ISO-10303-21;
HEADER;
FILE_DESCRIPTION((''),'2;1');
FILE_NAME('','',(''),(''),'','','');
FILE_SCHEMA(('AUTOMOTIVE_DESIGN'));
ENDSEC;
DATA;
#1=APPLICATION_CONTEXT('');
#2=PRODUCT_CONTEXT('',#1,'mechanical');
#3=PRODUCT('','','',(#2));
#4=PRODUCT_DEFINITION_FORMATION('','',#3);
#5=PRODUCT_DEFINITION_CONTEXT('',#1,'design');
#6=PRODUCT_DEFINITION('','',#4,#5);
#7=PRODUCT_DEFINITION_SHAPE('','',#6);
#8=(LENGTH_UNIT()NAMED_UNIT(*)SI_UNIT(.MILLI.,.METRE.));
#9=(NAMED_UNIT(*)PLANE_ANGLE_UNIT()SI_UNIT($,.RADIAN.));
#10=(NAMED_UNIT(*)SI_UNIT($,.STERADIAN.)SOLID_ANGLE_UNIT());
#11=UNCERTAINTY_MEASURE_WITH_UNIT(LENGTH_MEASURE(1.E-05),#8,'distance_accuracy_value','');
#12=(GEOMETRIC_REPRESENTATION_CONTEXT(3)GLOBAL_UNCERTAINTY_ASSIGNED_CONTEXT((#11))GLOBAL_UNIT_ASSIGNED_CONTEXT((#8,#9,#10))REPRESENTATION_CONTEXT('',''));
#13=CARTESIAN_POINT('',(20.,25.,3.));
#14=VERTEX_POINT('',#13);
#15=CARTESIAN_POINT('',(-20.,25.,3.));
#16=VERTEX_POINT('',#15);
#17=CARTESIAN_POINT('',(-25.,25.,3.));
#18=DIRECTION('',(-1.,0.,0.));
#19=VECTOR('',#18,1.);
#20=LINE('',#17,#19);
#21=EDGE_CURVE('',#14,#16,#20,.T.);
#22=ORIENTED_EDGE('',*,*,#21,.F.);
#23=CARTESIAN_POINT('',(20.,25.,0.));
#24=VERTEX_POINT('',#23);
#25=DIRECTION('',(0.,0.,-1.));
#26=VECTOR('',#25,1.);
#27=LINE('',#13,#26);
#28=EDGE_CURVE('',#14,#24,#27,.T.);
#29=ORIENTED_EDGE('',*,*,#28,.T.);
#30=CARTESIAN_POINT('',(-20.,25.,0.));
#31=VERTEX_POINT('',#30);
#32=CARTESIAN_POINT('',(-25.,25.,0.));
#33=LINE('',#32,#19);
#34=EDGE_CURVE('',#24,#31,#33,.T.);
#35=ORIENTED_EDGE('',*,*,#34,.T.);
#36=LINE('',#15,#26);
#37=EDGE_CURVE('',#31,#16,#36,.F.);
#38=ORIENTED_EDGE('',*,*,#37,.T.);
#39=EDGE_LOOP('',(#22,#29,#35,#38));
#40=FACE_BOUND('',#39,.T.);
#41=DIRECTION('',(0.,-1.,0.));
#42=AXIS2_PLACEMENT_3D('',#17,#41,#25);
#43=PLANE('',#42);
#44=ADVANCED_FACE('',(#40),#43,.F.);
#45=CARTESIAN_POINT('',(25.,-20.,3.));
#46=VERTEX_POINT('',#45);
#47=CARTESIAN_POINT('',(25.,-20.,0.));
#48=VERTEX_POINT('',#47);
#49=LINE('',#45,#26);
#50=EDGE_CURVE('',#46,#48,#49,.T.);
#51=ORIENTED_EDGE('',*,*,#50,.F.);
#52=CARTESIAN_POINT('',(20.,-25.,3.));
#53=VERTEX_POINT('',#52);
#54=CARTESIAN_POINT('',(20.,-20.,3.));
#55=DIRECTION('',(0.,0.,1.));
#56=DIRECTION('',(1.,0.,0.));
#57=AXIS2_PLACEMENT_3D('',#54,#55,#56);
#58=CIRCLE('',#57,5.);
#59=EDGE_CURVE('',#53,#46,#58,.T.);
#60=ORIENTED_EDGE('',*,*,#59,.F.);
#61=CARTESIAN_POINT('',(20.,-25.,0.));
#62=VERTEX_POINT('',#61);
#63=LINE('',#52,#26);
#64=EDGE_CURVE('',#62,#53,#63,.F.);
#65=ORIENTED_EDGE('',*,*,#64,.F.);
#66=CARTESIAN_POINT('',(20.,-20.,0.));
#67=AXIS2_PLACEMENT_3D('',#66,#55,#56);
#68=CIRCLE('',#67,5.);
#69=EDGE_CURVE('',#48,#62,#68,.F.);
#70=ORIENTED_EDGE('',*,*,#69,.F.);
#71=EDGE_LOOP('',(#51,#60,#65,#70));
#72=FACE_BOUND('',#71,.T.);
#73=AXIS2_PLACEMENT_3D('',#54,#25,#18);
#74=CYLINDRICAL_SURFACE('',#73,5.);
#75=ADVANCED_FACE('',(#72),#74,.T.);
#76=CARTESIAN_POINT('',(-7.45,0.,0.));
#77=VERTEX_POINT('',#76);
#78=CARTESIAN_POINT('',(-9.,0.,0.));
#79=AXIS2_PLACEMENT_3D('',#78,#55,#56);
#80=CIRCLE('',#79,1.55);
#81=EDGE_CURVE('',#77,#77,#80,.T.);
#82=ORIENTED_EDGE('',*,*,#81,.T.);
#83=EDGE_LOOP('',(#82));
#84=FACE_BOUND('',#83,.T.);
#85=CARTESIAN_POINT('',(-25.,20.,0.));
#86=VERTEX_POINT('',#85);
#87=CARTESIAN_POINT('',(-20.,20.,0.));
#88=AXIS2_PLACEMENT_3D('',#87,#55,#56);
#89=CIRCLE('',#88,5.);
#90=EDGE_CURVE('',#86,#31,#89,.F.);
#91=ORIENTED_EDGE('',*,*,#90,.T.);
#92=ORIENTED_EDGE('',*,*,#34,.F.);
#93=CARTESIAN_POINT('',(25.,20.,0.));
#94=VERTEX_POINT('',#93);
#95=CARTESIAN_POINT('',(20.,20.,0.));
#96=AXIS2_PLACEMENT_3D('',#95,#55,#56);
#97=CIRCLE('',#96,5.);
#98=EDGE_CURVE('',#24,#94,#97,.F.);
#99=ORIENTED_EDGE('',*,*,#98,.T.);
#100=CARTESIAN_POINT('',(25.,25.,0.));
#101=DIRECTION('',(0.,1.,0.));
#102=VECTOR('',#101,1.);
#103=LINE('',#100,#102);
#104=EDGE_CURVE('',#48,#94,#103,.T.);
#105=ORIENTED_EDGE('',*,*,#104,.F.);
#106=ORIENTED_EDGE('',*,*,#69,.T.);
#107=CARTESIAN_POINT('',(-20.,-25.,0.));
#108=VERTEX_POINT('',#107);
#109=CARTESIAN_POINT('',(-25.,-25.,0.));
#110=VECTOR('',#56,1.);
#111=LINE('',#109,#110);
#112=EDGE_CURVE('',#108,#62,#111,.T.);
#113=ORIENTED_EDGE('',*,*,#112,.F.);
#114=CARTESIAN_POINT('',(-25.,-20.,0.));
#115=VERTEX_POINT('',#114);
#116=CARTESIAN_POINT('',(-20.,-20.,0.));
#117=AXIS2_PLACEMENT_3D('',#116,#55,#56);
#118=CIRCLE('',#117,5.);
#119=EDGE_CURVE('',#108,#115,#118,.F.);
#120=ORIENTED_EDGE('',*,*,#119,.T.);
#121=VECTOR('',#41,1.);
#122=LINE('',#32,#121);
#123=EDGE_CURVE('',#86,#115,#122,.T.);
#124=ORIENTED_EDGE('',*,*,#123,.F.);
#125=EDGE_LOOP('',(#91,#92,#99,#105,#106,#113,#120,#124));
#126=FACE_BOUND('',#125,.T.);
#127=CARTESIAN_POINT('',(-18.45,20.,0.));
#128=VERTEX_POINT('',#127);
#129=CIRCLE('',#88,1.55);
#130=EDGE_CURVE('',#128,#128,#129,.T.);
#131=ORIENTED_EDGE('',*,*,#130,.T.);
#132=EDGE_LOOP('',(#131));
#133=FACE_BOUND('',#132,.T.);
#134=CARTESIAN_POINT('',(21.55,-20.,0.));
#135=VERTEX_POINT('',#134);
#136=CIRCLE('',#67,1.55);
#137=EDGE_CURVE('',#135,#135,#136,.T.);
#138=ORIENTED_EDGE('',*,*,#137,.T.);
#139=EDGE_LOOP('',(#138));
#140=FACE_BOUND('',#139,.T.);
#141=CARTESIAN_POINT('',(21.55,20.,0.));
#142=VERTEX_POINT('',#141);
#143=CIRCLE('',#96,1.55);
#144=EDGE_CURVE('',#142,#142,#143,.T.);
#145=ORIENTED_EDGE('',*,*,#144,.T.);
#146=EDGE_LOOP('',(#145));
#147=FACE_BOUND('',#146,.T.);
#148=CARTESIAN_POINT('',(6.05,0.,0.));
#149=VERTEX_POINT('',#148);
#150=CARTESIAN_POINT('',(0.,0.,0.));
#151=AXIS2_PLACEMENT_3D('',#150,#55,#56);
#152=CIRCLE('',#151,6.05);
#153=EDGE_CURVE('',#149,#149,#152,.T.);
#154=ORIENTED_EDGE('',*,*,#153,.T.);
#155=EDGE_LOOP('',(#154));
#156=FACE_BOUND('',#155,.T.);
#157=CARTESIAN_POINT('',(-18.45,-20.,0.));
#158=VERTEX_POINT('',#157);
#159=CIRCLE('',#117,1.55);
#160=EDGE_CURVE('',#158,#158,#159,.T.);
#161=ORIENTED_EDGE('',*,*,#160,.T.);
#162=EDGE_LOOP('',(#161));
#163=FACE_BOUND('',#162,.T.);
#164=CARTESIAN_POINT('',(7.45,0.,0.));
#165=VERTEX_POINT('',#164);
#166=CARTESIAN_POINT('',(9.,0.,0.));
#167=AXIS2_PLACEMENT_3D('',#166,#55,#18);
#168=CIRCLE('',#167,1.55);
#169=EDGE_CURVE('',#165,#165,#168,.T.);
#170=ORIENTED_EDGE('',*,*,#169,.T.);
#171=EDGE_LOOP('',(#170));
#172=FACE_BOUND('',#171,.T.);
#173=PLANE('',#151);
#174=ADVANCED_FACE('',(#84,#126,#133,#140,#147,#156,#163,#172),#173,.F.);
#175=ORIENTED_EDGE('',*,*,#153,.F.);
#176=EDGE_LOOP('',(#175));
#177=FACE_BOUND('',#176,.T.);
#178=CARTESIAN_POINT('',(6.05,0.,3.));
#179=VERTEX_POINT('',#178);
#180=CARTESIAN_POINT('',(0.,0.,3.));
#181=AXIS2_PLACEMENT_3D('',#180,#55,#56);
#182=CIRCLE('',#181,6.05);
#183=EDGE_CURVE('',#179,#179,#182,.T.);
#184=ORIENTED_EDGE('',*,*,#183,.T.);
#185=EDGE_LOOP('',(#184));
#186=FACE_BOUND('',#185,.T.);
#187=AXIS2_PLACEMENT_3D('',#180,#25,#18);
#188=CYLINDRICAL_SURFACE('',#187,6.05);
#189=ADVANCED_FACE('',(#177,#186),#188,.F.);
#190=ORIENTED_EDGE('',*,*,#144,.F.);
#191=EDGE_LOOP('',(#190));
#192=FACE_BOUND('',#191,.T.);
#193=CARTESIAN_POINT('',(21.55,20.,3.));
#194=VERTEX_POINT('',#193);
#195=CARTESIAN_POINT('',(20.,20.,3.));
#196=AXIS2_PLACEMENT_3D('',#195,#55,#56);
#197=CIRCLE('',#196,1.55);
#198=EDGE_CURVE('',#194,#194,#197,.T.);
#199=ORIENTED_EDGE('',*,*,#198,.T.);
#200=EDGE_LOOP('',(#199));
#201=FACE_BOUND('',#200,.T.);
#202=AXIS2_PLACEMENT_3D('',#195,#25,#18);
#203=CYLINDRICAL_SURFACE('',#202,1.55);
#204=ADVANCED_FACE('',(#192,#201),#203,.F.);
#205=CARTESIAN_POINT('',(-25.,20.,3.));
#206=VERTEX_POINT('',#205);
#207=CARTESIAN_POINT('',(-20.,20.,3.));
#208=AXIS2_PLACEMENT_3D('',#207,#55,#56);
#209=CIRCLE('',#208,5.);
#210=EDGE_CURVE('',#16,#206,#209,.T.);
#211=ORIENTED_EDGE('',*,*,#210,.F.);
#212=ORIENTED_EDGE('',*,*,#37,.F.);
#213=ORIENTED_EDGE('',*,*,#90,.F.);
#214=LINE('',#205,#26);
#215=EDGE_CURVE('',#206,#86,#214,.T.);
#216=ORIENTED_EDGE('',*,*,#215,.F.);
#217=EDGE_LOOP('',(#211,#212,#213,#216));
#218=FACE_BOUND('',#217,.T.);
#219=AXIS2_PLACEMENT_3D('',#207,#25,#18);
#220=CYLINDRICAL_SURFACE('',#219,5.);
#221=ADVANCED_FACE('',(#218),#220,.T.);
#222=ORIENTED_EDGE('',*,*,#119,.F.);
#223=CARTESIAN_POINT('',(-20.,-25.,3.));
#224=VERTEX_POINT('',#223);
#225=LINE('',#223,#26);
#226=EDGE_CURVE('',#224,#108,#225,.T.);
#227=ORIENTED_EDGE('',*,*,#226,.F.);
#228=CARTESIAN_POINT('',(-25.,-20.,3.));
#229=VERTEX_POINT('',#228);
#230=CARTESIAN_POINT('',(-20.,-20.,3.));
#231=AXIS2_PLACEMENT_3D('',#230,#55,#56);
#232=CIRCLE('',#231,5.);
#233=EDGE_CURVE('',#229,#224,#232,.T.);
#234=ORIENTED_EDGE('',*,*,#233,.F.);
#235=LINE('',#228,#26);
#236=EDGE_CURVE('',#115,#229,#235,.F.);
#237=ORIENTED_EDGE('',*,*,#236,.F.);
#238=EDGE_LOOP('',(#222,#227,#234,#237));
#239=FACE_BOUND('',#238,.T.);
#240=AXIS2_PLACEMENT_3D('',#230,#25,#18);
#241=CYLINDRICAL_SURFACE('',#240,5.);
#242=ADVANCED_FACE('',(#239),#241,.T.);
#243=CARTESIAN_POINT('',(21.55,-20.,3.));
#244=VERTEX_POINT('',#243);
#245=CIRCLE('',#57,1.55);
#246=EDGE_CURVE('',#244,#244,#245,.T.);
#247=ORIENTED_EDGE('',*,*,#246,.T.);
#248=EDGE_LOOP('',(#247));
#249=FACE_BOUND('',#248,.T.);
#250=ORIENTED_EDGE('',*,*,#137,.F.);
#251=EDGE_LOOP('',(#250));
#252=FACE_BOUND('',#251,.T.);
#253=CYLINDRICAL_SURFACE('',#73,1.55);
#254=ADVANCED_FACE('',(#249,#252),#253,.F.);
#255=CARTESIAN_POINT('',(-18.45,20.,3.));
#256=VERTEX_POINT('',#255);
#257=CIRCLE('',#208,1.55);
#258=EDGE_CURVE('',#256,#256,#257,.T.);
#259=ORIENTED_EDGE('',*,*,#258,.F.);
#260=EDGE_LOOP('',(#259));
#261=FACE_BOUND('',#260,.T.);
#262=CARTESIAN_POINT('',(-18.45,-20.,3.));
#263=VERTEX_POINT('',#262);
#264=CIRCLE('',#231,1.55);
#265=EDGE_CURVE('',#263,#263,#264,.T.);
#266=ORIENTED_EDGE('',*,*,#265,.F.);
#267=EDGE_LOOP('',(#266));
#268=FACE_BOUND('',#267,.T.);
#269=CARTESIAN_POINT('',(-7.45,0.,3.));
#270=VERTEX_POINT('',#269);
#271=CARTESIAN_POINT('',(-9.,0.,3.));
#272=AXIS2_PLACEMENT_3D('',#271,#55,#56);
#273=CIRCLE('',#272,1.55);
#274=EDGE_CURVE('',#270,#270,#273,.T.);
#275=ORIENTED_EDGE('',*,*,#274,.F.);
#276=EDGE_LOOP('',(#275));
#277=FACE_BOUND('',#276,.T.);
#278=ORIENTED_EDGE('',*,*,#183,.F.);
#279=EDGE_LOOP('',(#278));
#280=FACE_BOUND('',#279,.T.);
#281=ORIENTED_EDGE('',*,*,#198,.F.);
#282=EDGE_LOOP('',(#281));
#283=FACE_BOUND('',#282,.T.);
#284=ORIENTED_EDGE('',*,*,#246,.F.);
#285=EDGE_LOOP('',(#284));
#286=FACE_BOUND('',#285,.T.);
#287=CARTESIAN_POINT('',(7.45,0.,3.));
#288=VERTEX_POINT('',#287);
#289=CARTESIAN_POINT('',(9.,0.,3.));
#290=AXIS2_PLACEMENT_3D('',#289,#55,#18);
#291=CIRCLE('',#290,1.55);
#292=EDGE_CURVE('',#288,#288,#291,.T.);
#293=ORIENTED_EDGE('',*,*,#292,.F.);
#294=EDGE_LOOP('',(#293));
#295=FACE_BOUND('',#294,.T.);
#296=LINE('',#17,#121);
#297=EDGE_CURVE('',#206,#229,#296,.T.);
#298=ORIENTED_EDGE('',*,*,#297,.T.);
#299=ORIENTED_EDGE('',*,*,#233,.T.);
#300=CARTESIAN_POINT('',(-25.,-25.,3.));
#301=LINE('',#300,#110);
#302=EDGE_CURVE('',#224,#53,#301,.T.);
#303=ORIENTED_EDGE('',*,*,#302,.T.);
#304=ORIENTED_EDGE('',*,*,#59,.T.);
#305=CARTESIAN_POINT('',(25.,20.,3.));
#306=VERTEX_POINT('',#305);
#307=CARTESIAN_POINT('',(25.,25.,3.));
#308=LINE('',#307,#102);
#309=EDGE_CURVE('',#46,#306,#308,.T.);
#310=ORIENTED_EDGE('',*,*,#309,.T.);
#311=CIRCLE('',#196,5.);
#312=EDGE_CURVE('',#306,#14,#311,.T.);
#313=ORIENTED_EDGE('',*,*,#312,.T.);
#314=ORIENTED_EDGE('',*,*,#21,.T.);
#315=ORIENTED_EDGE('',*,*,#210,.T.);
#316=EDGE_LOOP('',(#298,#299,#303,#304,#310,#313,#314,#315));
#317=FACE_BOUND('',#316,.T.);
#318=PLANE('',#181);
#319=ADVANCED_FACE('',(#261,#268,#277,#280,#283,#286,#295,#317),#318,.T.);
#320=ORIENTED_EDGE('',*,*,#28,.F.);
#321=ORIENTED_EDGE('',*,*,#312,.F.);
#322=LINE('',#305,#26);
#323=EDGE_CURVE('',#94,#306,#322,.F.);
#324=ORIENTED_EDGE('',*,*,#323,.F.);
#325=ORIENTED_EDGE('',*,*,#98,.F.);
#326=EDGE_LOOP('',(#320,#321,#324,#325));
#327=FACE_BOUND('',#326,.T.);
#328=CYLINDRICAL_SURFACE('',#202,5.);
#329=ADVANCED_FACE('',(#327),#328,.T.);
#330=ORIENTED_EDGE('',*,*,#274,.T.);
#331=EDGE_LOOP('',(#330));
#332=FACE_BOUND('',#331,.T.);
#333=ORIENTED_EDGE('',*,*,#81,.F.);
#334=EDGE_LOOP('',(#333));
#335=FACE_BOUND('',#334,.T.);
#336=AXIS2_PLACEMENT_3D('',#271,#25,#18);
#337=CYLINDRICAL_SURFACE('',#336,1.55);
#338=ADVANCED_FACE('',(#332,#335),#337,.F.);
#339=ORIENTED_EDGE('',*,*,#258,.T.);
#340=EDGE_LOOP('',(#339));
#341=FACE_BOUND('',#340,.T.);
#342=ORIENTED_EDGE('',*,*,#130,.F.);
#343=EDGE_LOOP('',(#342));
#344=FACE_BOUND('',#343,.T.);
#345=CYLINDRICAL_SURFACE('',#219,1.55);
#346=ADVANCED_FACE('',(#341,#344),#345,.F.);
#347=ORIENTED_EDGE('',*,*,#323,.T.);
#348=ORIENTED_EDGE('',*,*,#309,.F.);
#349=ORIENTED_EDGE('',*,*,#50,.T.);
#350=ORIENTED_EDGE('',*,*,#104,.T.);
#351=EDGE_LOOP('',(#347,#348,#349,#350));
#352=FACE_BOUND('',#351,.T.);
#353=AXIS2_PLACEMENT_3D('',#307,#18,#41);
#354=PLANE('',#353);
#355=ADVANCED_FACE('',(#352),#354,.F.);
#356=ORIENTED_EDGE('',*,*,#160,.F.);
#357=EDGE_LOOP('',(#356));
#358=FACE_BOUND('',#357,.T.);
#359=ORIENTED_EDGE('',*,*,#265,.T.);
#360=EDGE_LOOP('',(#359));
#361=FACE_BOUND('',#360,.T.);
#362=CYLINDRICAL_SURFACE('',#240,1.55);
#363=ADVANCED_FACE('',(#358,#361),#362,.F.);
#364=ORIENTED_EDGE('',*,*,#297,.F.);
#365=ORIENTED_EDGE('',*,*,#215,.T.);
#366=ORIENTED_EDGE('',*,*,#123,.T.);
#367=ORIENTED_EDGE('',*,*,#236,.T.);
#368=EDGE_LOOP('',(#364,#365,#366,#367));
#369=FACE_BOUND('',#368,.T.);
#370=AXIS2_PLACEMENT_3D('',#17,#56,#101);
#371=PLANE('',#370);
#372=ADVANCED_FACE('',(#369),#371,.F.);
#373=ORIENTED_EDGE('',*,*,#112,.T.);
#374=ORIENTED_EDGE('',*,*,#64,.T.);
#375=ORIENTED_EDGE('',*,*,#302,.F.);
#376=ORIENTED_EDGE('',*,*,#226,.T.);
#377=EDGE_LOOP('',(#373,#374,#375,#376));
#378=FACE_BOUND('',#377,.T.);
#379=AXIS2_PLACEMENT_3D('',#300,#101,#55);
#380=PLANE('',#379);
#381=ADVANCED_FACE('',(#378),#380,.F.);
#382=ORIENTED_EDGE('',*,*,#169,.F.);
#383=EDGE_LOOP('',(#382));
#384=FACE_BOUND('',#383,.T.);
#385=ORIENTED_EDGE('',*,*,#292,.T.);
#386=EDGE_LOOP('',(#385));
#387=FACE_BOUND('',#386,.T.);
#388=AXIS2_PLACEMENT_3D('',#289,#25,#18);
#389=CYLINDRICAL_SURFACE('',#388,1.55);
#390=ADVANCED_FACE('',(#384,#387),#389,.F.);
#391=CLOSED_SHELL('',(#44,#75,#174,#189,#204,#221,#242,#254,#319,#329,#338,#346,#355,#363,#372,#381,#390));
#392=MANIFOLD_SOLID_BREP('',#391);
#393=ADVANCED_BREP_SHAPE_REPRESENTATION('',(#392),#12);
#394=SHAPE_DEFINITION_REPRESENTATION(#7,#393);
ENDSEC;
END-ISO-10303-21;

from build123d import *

# Parameters (mm, degrees)
SKETCH_1_W      = 50
SKETCH_1_H      = 50
SKETCH_1_R      = 1.55
SKETCH_1_R_2    = 6.05
EXTRUDE_1_DEPTH = 3
FILLET_1_R      = 5


with BuildPart() as part:
    # ｽｹｯﾁ1 → ﾎﾞｽ - 押し出し1 (new body)
    with BuildSketch(Plane.XY):
        Rectangle(SKETCH_1_W, SKETCH_1_H)
        with Locations((-20, 20)):
            Circle(SKETCH_1_R, mode=Mode.SUBTRACT)
        with Locations((20, 20)):
            Circle(SKETCH_1_R, mode=Mode.SUBTRACT)
        with Locations((20, -20)):
            Circle(SKETCH_1_R, mode=Mode.SUBTRACT)
        with Locations((-20, -20)):
            Circle(SKETCH_1_R, mode=Mode.SUBTRACT)
        Circle(SKETCH_1_R_2, mode=Mode.SUBTRACT)
        with Locations((-9, 0)):
            Circle(SKETCH_1_R, mode=Mode.SUBTRACT)
        with Locations(Location((9, 0, 0), (0, 0, 180))):
            Circle(SKETCH_1_R, mode=Mode.SUBTRACT)
    extrude(amount=EXTRUDE_1_DEPTH)

    # ﾌｨﾚｯﾄ1
    fillet_1_edges = [part.edges().sort_by_distance(p)[0] for p in [
        (25, -25, 1.5),
        (-25, -25, 1.5),
        (-25, 25, 1.5),
        (25, 25, 1.5),
    ]]
    fillet(fillet_1_edges, radius=FILLET_1_R)


solid = part.part
